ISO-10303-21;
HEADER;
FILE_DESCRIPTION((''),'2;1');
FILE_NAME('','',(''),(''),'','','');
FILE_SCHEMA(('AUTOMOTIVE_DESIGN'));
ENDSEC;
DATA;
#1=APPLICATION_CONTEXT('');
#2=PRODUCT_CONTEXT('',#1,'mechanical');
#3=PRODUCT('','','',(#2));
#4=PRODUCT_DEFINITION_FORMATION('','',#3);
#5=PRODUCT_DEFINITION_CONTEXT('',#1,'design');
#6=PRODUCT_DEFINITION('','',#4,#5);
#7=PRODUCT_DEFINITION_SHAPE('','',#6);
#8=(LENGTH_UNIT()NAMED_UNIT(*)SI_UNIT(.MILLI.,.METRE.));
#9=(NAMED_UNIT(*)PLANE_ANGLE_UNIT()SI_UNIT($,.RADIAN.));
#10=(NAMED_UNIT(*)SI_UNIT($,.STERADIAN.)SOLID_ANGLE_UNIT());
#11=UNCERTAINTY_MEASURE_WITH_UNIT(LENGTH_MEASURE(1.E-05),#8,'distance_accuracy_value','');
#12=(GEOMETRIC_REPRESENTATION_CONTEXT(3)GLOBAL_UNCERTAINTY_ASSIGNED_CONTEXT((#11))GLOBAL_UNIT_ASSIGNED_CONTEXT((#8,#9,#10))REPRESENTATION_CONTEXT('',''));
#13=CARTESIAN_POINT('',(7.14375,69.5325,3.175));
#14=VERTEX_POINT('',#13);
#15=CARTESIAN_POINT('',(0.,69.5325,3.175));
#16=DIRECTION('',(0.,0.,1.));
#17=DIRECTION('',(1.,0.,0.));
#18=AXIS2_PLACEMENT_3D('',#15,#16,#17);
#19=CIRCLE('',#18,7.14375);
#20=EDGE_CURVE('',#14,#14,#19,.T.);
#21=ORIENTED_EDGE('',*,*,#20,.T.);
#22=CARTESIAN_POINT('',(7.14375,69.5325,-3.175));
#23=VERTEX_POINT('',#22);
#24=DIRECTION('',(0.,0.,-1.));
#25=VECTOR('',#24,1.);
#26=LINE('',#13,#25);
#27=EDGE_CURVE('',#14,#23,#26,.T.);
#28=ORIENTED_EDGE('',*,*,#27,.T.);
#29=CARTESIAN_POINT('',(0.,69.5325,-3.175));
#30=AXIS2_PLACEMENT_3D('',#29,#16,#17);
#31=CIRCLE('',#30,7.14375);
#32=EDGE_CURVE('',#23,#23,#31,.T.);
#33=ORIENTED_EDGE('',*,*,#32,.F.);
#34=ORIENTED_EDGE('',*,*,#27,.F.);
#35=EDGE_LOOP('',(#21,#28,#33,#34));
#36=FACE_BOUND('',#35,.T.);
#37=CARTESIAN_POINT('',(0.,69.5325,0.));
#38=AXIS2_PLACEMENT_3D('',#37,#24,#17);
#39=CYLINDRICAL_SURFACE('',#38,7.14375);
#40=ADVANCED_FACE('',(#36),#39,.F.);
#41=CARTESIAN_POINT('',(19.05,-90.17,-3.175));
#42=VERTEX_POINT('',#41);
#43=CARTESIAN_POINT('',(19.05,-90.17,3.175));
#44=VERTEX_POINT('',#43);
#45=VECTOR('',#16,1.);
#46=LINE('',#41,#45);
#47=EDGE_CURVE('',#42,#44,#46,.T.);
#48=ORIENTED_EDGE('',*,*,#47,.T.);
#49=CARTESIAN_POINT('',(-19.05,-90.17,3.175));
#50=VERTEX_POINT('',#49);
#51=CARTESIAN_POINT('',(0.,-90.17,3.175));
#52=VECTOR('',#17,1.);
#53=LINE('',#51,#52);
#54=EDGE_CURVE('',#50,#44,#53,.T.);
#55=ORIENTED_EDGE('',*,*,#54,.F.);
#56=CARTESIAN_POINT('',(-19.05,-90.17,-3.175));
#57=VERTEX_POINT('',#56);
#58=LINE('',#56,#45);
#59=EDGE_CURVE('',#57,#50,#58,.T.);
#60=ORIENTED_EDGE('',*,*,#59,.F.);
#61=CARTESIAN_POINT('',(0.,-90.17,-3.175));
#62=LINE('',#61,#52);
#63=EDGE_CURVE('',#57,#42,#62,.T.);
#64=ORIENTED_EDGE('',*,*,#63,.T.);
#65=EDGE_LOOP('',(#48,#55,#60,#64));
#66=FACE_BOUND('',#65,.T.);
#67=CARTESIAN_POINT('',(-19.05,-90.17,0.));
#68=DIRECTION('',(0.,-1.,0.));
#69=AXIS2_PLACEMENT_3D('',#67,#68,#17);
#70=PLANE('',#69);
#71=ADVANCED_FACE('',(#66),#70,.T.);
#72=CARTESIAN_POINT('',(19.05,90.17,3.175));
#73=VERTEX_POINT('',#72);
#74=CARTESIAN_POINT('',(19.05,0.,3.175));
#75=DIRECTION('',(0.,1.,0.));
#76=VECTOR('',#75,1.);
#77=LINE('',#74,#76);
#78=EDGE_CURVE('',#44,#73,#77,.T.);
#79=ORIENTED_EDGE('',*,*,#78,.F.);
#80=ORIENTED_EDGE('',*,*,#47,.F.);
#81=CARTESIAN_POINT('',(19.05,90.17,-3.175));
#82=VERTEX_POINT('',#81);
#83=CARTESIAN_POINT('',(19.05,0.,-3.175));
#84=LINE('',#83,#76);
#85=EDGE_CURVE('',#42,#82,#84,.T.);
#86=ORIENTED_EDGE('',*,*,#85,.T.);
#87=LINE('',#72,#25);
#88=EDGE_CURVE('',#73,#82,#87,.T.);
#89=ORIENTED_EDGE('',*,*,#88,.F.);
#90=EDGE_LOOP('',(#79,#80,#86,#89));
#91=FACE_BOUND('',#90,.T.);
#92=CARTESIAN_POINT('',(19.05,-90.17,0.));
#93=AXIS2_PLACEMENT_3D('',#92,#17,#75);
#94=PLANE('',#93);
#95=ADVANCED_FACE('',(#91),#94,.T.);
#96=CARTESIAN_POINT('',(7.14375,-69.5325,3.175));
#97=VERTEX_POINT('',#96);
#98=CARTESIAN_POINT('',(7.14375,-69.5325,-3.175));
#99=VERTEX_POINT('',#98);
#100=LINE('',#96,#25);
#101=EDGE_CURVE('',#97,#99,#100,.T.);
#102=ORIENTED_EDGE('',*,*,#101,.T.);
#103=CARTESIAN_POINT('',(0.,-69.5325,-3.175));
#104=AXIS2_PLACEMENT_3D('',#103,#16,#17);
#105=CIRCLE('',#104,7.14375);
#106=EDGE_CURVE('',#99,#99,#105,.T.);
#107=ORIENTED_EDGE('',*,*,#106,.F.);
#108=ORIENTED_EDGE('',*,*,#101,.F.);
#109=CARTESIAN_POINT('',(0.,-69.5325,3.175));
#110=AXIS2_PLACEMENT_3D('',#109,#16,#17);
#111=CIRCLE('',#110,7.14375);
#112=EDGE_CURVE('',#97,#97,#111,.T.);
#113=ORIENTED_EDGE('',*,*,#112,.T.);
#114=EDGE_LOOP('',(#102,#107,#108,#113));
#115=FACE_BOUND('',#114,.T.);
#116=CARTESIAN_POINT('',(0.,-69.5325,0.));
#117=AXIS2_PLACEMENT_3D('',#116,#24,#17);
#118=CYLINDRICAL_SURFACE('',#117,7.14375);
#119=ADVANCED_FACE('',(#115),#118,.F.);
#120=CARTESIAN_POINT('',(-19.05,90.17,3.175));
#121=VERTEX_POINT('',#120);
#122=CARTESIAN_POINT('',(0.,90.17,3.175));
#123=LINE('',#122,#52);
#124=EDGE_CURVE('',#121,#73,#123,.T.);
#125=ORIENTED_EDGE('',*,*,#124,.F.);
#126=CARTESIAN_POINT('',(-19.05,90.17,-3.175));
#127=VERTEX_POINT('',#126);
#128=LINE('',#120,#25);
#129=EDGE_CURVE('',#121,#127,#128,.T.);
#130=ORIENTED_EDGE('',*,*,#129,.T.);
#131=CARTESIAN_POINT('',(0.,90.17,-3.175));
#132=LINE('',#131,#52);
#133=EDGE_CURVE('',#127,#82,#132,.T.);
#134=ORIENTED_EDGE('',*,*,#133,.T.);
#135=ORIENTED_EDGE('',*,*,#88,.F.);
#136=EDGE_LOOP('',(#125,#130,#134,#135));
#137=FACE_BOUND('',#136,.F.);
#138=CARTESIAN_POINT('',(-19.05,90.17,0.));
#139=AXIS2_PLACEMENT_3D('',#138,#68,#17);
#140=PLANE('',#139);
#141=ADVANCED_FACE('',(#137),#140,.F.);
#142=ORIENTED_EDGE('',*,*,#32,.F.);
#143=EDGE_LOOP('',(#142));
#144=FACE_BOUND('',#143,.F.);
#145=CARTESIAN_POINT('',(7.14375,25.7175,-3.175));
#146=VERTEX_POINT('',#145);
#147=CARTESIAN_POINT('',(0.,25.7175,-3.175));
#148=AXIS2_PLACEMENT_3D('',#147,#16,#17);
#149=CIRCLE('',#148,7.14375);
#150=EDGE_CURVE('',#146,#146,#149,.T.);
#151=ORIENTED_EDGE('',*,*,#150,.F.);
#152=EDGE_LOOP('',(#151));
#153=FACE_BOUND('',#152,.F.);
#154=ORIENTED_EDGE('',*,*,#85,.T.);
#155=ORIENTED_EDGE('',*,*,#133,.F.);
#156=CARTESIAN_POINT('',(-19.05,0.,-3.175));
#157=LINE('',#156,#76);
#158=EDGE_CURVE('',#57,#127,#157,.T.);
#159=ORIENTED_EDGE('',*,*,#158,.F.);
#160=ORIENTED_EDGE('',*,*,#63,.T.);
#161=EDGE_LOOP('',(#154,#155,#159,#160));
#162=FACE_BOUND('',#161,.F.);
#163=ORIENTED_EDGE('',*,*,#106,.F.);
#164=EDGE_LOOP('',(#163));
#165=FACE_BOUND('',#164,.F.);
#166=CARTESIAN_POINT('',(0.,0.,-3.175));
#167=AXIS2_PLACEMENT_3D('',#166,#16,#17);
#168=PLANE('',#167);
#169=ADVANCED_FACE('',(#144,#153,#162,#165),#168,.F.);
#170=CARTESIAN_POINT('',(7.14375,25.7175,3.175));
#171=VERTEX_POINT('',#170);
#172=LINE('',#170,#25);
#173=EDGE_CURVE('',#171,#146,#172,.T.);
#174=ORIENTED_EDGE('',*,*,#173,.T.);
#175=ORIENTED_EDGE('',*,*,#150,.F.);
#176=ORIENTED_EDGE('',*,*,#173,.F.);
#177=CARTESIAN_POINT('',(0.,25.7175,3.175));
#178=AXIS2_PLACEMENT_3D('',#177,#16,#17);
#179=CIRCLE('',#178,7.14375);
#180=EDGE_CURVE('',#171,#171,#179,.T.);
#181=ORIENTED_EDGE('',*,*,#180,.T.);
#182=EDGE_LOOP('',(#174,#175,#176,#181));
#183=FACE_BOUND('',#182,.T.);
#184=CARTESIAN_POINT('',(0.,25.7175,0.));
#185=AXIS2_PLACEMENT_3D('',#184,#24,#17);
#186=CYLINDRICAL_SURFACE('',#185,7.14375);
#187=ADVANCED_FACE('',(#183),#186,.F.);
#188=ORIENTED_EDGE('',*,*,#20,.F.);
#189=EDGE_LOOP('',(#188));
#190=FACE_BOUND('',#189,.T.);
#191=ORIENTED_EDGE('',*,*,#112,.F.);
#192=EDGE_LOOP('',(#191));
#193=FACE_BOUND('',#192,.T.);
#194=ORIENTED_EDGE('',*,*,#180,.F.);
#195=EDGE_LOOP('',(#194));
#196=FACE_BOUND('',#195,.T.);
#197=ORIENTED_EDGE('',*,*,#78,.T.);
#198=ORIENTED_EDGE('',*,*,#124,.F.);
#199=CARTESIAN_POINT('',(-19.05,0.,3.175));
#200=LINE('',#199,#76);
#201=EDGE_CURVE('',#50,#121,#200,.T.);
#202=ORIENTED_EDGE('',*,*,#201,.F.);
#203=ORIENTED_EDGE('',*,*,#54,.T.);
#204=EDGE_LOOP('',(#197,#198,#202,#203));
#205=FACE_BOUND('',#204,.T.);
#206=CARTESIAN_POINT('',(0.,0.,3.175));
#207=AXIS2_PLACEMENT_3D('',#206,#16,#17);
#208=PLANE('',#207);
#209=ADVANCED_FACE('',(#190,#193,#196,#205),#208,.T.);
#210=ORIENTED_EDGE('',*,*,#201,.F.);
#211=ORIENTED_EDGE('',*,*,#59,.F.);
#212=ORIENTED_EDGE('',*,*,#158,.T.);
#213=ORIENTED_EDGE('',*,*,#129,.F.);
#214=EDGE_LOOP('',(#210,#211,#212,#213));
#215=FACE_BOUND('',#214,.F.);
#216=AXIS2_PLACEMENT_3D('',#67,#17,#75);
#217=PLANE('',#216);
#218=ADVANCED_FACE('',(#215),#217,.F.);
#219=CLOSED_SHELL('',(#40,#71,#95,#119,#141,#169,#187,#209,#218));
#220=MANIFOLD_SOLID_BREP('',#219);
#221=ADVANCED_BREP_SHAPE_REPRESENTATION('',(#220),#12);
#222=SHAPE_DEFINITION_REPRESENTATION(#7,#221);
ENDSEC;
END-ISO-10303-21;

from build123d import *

# Parameters (mm, degrees)
F0_W     = 38.1
F0_H     = 180.34
F0_R     = 7.14375
F1_DEPTH = 3.175


with BuildPart() as f1:
    # F0 (on Top) → F1 (new body, symmetric)
    with BuildSketch(Plane.XY):
        Rectangle(F0_W, F0_H)
        with Locations((0, -69.5325)):
            Circle(F0_R, mode=Mode.SUBTRACT)
        with Locations((0, 25.7175)):
            Circle(F0_R, mode=Mode.SUBTRACT)
        with Locations((0, 69.5325)):
            Circle(F0_R, mode=Mode.SUBTRACT)
    extrude(amount=F1_DEPTH, both=True)


solid = f1.part
